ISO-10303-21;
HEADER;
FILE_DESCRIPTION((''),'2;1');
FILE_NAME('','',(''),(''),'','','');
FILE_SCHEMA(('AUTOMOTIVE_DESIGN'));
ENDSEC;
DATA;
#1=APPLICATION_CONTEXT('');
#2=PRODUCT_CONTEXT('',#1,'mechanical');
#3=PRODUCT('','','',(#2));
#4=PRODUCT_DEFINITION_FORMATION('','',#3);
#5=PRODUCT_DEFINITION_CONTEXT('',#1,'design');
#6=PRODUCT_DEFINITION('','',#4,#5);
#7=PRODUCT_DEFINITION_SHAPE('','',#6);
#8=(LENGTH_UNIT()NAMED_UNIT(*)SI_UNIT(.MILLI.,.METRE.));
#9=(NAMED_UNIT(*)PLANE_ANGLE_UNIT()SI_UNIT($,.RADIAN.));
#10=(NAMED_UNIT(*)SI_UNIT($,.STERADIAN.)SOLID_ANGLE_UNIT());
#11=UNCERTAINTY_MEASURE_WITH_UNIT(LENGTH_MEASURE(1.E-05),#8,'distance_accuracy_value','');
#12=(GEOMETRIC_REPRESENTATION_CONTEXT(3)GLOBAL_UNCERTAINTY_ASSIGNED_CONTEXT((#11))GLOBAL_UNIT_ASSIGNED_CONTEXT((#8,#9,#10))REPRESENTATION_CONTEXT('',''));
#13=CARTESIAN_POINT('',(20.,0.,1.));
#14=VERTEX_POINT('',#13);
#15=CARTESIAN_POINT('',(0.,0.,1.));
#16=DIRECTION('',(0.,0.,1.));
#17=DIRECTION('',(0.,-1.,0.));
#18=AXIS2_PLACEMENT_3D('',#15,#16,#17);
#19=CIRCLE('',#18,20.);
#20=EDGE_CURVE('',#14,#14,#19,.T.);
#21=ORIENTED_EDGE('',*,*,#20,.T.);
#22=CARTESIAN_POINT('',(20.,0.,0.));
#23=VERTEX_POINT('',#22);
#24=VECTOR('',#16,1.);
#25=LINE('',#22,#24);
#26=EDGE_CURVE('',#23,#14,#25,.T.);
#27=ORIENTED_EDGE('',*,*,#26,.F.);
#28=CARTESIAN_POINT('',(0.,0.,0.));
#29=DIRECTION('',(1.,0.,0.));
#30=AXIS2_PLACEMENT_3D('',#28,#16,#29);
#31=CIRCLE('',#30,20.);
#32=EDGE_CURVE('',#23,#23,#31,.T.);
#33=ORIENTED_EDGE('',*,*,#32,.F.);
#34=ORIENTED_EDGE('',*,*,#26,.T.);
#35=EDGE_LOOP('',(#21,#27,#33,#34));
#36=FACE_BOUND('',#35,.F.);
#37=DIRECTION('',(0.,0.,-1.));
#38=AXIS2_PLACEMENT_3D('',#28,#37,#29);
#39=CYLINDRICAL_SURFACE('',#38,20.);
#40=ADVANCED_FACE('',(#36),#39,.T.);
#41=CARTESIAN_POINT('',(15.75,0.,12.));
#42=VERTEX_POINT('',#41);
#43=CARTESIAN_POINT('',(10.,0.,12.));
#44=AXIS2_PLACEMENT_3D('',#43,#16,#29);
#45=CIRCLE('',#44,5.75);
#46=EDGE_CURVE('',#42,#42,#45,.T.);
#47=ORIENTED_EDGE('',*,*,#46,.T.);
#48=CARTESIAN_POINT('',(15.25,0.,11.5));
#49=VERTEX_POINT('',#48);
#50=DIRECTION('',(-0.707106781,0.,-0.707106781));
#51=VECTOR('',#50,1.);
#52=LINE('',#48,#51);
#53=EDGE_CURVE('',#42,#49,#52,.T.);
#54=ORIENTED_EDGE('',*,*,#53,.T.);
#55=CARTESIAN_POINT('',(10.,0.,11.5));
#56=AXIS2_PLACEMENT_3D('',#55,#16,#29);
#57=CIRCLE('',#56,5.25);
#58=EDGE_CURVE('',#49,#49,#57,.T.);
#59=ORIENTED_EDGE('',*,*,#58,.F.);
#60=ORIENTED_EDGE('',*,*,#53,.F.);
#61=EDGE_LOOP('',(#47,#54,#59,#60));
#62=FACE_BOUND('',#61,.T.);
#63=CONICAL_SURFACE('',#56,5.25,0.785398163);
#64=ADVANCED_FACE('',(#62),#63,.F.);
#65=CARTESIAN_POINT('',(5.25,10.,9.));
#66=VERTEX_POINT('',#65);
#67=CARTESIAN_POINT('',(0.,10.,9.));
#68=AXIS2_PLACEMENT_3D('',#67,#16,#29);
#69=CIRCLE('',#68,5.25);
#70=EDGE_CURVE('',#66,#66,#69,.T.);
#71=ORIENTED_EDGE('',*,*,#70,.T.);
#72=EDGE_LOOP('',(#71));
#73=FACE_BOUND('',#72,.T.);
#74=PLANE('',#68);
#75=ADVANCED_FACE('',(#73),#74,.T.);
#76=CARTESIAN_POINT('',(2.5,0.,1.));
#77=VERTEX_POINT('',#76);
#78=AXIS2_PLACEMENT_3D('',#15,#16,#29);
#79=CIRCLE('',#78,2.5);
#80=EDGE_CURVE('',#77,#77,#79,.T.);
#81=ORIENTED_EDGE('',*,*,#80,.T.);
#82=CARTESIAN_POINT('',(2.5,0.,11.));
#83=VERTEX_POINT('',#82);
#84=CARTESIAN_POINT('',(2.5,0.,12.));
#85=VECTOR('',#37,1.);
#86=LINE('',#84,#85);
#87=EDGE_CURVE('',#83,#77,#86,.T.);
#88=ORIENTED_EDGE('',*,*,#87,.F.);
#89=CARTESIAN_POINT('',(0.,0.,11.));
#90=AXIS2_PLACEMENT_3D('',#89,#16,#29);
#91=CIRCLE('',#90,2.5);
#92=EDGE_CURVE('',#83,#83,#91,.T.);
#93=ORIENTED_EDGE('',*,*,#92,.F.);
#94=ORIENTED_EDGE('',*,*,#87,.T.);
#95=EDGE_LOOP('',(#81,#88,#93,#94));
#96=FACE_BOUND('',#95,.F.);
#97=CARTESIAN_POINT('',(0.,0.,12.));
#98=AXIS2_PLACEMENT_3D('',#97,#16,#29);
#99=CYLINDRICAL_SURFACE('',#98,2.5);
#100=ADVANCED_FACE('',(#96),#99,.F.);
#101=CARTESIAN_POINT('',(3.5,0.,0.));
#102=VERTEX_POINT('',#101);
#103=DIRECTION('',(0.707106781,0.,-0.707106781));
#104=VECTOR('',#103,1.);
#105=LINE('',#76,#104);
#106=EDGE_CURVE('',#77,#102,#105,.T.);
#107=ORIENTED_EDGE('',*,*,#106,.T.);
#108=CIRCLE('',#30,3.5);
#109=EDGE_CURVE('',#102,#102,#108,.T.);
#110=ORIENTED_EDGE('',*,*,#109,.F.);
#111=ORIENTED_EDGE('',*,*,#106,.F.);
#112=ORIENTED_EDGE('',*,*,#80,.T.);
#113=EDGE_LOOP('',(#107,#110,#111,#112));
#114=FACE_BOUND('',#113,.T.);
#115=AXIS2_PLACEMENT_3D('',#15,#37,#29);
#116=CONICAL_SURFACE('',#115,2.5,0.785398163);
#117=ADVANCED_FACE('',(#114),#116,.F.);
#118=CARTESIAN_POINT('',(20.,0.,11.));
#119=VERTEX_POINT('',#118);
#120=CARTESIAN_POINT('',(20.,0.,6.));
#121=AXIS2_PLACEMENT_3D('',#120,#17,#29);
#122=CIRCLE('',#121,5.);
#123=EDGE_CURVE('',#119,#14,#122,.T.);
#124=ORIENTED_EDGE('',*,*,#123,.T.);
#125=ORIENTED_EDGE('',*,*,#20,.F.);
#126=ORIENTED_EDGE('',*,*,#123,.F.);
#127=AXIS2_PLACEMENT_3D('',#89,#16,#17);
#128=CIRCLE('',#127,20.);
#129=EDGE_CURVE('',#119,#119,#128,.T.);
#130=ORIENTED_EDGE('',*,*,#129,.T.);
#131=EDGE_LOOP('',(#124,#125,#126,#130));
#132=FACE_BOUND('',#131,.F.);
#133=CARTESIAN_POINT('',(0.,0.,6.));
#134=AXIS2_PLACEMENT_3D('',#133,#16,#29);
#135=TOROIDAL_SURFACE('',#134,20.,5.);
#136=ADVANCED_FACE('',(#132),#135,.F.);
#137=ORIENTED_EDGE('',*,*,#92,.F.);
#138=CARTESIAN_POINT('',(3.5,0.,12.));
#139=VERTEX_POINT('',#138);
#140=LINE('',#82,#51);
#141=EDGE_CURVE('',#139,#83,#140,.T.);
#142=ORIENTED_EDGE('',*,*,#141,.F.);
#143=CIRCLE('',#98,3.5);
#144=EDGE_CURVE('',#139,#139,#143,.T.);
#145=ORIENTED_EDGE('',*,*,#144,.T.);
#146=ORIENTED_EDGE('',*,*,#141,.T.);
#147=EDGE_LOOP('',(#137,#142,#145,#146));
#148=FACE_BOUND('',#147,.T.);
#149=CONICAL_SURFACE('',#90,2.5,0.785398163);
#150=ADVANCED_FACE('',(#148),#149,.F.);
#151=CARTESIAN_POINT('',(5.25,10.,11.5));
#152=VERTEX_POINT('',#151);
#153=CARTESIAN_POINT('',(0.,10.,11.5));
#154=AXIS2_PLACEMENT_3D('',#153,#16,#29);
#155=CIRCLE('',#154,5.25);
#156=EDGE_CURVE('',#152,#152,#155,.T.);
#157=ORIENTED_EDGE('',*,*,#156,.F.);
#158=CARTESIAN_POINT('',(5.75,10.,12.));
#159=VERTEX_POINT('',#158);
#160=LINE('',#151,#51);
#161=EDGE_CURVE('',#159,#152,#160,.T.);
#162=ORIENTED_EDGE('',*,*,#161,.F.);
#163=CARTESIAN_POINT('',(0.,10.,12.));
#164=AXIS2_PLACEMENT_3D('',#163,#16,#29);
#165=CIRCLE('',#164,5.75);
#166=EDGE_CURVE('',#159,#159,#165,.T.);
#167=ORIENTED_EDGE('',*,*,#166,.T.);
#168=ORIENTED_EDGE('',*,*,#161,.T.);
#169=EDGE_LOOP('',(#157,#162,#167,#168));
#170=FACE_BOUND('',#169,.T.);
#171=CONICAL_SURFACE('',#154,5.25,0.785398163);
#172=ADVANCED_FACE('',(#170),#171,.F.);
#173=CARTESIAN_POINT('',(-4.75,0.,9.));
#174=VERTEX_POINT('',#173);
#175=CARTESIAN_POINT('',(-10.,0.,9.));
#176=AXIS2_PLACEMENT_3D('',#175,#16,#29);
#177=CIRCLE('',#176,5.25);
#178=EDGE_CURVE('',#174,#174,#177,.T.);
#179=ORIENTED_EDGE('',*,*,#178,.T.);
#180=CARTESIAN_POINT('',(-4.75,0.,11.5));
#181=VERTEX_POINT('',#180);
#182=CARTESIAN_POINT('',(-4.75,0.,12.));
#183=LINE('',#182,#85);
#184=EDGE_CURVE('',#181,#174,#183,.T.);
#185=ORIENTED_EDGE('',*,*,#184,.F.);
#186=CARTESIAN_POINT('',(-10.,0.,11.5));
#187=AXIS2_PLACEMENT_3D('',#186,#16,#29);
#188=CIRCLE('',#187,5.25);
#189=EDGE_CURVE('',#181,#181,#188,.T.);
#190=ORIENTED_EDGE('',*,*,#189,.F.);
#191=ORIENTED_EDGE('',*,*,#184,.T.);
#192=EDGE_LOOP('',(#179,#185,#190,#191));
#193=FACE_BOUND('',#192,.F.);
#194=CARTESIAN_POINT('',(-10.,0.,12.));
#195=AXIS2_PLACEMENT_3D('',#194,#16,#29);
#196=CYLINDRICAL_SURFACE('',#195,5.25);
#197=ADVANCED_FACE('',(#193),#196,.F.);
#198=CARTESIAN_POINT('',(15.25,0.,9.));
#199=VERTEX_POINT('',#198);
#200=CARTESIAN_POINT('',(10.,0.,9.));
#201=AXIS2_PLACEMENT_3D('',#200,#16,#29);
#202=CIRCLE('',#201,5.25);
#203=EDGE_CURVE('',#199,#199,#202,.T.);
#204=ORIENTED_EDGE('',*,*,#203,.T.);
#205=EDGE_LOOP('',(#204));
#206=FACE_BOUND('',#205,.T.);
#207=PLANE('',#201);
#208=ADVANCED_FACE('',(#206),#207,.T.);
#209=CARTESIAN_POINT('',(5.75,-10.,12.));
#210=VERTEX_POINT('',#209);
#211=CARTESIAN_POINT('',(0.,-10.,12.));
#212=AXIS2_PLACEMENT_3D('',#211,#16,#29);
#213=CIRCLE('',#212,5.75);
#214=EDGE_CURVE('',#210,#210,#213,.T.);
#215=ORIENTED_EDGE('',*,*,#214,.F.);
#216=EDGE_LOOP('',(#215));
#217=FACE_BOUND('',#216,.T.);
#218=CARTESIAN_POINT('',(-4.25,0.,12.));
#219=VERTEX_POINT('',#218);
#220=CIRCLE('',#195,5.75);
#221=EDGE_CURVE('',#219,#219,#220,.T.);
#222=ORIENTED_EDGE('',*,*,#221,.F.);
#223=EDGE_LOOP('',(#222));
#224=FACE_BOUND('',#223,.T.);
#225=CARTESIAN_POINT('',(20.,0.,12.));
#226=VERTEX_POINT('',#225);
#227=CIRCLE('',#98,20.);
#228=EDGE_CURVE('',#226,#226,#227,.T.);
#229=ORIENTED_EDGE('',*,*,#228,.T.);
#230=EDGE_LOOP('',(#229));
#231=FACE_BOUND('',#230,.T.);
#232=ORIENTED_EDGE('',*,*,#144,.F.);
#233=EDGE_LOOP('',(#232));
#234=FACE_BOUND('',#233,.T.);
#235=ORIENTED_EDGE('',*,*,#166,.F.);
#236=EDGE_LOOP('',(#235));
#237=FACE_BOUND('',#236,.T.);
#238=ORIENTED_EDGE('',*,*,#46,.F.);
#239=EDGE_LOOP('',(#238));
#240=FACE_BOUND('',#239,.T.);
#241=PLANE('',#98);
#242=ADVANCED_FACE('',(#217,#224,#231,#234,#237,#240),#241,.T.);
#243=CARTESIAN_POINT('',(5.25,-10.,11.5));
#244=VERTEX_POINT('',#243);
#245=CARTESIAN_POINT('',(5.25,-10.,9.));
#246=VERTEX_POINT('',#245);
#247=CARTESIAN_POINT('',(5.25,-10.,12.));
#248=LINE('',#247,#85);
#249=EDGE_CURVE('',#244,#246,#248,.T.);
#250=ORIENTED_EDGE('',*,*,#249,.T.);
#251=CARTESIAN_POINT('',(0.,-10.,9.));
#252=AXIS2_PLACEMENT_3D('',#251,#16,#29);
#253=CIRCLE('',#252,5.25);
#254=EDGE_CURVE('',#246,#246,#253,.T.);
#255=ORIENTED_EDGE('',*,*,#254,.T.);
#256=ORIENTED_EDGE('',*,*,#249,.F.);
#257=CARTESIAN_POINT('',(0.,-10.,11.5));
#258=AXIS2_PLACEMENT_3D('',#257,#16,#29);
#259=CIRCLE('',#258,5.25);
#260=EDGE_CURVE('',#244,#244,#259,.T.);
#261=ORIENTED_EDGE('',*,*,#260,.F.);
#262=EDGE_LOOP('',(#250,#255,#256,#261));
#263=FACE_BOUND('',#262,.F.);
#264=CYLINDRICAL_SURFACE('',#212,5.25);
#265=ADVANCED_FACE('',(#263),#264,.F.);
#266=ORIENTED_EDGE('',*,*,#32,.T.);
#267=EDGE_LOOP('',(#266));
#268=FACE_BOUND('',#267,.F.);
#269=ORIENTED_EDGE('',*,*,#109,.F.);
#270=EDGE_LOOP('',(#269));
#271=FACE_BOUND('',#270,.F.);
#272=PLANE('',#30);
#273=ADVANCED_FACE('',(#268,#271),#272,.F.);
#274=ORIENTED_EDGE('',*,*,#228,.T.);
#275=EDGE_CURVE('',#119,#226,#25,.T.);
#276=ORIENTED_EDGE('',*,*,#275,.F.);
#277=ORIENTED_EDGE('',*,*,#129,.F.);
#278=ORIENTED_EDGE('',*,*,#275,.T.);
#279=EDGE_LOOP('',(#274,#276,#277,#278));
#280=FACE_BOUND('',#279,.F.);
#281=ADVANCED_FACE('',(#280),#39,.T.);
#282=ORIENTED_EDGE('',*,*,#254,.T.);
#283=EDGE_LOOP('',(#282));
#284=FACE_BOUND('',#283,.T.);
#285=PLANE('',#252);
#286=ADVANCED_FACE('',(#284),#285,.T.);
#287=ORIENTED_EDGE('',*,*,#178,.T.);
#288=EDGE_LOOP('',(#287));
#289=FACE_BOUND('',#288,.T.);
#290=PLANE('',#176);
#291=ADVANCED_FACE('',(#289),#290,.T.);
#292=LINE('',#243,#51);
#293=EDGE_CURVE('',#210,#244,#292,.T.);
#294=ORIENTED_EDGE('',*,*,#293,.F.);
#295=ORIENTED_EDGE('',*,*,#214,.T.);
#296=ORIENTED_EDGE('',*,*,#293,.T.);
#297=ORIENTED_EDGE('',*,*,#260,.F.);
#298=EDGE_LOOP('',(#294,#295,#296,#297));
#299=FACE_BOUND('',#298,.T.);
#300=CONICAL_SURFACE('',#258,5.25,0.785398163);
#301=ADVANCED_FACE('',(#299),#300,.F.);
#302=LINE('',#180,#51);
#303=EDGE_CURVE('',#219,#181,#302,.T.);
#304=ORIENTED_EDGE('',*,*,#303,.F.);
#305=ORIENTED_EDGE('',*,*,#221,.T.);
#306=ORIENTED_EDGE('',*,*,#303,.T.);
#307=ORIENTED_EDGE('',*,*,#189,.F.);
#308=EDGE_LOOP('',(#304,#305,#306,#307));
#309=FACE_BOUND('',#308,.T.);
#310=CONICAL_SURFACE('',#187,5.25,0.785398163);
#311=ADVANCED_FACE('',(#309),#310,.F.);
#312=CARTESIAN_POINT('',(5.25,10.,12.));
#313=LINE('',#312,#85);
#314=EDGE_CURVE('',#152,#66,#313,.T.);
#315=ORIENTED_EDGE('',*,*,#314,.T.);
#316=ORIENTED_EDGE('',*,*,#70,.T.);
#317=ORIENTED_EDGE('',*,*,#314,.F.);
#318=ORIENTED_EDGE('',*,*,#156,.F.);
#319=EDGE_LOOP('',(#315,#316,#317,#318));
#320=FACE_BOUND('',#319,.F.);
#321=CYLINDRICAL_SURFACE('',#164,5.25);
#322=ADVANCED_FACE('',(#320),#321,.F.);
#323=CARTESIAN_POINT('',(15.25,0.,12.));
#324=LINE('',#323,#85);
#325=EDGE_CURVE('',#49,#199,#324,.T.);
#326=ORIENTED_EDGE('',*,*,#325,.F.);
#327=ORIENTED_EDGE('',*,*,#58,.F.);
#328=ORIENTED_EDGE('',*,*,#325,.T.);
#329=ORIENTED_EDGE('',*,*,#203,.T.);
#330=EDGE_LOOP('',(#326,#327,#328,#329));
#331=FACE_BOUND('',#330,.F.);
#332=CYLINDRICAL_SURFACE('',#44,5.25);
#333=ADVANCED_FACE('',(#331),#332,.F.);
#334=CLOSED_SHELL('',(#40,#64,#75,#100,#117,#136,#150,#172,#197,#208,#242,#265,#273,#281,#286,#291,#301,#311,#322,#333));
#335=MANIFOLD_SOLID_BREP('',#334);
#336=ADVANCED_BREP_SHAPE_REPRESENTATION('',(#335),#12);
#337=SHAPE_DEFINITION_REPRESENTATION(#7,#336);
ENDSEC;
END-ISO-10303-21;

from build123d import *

# Parameters (mm, degrees)
TORUS_R         = 5
SKETCH_R        = 20
PAD_DEPTH       = 12
SKETCH001_R     = 2.5
POCKET_DEPTH    = 12
SKETCH002_R     = 5.25
POCKET001_DEPTH = 3
CHAMFER_SIZE    = 0.5
CHAMFER001_SIZE = 1


with BuildPart() as torus:
    # Torus → Torus (revolve)
    with BuildSketch(Plane(origin=(0, 0, 6), x_dir=(1, 0, 0), z_dir=(0, -1, 0))):
        with Locations((20, 0)):
            Circle(TORUS_R)
    revolve(axis=Axis((0, 0, 6), (0, 0, 1)))


with BuildPart() as cut:
    # Sketch → Pad (new body)
    with BuildSketch(Plane.XY):
        Circle(SKETCH_R)
    extrude(amount=PAD_DEPTH)

    # Sketch001 (on Face3 of Pad) → Pocket (cut)
    with BuildSketch(Plane.XY.offset(12)):
        Circle(SKETCH001_R)
    extrude(amount=-POCKET_DEPTH, mode=Mode.SUBTRACT)

    # Sketch002 (on Face3 of Pocket) → Pocket001 (cut)
    with BuildSketch(Plane.XY.offset(12)):
        with Locations((-10, 0)):
            Circle(SKETCH002_R)
        with Locations((10, 0)):
            Circle(SKETCH002_R)
        with Locations((0, 10)):
            Circle(SKETCH002_R)
        with Locations((0, -10)):
            Circle(SKETCH002_R)
    extrude(amount=-POCKET001_DEPTH, mode=Mode.SUBTRACT)

    # Chamfer
    chamfer_edges = [cut.edges().sort_by_distance(p)[0] for p in [
        (-5.25, 10, 12),
        (-15.25, 0, 12),
        (-5.25, -10, 12),
        (4.75, 0, 12),
    ]]
    chamfer(chamfer_edges, length=CHAMFER_SIZE)

    # Chamfer001
    chamfer001_edges = [cut.edges().sort_by_distance(p)[0] for p in [
        (-2.5, 0, 12),
        (-2.5, 0, 0),
    ]]
    chamfer(chamfer001_edges, length=CHAMFER001_SIZE)

    # Cut: cut Torus
    add(torus.part, mode=Mode.SUBTRACT)


solid = cut.part
